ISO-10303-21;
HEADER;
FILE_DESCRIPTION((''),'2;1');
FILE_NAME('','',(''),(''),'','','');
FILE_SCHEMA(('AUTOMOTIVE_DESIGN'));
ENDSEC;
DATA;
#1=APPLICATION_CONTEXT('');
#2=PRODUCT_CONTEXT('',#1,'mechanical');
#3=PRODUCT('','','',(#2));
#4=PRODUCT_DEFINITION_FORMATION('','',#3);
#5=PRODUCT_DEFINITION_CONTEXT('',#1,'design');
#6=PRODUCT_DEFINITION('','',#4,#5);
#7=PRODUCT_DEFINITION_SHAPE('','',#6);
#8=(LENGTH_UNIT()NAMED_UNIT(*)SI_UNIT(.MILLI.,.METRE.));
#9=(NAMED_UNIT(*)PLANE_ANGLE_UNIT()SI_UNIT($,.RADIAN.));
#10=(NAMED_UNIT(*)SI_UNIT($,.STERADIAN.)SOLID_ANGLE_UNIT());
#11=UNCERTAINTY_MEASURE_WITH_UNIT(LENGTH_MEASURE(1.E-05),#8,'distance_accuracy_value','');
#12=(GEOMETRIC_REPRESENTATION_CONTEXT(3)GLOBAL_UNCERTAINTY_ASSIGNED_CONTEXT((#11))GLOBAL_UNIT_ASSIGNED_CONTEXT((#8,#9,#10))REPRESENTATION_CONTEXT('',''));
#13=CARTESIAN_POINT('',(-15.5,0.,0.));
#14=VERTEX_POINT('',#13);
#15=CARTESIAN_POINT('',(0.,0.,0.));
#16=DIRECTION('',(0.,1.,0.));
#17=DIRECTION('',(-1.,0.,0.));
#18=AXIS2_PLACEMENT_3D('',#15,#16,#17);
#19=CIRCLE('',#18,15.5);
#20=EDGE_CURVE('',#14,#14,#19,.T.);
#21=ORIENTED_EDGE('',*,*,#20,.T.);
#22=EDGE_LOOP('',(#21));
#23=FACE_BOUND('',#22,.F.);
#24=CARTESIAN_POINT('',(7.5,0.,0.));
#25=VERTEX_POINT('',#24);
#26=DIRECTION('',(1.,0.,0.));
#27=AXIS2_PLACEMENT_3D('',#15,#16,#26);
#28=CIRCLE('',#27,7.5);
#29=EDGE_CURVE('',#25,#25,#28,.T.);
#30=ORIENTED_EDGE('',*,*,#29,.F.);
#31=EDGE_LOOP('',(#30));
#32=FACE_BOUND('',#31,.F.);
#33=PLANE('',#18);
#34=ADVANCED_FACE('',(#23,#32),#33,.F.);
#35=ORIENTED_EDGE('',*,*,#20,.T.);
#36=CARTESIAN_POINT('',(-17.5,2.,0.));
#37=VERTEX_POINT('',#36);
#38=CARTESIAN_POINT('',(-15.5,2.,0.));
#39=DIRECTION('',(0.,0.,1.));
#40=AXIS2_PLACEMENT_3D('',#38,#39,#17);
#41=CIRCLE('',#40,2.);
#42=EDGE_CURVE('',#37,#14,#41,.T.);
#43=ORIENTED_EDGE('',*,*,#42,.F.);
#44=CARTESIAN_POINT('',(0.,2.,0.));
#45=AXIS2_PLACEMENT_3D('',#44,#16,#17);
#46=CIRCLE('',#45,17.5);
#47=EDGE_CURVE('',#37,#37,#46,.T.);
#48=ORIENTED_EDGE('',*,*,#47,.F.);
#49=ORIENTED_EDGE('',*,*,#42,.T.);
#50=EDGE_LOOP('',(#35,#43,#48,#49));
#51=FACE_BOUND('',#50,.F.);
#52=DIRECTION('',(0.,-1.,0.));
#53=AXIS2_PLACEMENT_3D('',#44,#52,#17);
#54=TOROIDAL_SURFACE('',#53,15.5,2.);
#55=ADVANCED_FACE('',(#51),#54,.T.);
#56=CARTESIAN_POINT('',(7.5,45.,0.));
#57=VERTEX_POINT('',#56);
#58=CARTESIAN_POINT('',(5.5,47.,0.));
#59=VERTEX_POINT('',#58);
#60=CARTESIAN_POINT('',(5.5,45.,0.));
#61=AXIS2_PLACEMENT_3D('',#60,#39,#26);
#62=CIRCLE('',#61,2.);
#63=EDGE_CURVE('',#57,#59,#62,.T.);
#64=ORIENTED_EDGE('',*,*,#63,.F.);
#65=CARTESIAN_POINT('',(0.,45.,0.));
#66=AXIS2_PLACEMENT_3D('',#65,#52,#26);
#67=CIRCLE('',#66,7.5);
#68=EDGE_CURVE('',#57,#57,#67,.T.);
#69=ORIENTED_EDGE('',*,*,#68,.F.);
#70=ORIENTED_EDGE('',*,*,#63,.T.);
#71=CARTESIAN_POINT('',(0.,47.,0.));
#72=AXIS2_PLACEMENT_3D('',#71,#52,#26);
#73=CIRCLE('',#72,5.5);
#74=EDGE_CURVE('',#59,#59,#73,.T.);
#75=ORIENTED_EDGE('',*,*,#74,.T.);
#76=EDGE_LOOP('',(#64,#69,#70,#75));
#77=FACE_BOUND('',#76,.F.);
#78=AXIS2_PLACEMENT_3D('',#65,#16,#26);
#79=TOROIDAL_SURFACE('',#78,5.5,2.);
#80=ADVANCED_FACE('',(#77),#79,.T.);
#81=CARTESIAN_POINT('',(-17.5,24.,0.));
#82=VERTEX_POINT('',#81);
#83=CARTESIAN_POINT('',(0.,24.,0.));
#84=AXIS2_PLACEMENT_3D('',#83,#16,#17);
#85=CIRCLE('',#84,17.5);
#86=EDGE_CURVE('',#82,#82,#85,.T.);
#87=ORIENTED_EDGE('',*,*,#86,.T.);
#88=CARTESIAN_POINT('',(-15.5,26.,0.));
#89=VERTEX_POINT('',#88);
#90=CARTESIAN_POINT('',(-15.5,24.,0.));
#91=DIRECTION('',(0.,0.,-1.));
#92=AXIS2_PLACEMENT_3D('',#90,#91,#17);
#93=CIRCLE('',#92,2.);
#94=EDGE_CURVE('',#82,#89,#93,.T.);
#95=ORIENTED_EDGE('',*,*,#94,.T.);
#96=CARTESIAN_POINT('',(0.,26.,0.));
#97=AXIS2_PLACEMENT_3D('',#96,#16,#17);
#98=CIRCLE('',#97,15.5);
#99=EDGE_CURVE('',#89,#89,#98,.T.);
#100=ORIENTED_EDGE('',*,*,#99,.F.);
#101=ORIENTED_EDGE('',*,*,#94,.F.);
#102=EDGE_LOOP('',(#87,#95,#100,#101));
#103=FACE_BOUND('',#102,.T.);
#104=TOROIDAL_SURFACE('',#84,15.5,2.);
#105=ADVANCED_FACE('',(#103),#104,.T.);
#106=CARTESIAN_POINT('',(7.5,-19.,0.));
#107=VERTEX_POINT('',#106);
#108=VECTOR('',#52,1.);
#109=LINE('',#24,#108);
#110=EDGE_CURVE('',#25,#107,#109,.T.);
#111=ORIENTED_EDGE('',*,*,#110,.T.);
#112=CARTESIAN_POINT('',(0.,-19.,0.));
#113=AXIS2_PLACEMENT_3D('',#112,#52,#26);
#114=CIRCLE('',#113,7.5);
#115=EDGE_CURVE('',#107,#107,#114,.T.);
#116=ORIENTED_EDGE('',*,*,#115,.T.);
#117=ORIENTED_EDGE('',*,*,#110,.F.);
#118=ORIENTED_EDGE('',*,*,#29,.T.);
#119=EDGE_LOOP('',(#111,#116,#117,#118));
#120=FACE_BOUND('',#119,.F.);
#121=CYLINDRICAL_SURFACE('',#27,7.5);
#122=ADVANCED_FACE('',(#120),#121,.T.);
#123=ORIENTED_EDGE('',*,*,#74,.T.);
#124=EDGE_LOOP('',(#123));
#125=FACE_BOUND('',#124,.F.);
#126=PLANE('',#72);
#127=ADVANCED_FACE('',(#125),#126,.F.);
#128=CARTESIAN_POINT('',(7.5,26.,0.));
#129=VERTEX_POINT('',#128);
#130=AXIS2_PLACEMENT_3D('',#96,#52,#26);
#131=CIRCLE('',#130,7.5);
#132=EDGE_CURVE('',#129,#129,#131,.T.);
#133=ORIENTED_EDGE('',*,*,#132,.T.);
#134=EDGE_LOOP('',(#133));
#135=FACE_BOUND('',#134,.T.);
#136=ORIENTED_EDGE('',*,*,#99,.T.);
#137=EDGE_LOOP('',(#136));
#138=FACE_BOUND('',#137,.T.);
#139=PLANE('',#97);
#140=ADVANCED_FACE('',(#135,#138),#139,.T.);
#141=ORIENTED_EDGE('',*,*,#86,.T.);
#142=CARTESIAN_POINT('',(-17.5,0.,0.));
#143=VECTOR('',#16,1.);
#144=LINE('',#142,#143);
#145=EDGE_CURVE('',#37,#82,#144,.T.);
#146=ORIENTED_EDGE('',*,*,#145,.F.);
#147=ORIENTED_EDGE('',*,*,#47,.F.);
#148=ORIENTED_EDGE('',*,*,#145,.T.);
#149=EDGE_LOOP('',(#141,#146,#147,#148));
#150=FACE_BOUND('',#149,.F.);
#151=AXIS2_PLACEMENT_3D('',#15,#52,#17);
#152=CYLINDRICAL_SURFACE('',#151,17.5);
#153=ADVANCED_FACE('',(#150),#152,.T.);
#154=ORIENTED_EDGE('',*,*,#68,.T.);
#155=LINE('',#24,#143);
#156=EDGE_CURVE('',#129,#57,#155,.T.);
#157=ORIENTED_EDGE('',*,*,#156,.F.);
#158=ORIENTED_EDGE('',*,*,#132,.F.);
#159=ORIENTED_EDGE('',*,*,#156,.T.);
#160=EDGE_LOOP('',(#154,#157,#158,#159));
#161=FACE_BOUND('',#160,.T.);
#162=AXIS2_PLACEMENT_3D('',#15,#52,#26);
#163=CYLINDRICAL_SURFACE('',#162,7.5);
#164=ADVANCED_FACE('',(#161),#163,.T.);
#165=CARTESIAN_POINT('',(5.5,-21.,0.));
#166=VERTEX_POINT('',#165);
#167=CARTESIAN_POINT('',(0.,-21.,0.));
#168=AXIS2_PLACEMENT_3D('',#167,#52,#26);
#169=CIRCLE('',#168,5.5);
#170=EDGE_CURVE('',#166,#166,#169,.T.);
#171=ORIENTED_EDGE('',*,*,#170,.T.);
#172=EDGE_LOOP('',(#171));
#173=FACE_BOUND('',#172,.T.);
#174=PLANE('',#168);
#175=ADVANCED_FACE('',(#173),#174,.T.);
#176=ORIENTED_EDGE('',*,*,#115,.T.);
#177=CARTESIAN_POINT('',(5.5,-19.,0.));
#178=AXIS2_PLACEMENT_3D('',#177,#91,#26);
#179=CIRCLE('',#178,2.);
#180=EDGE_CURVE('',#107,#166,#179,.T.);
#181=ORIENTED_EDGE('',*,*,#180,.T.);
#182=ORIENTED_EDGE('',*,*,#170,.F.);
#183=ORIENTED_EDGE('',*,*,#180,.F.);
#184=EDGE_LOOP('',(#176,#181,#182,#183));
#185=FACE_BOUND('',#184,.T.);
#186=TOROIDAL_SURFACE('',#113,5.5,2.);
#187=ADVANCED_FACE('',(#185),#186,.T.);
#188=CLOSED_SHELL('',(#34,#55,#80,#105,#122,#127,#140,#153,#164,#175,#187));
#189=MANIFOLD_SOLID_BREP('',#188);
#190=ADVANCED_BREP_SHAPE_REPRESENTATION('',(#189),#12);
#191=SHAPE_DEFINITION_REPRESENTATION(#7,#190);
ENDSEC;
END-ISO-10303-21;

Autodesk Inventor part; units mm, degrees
ref_plane "YZ Plane" through (0, 0, 0) normal (1, 0, 0) x (0, 1, 0)
ref_plane "XZ Plane" through (0, 0, 0) normal (0, 1, 0) x (-1, 0, 0)
ref_plane "XY Plane" through (0, 0, 0) normal (0, 0, 1) x (1, 0, 0)
sketch "Sketch1" plane through (0, 0, 0) normal (0, 1, 0) x (-1, 0, 0)
  circle A0 centre (0, 0) radius 17.5
  circle A1 centre (0, 0) radius 7.5
  dimension "d0" = 35
  dimension "d1" = 15
extrude "Extrusion1" add sketch "Sketch1" along normal blind 26
sketch "Sketch2" plane through (0, 0, 0) normal (0, -1, 0) x (1, 0, 0)
  circle A0 centre (0, 0) radius 7.5 projected
extrude "Extrusion2" add sketch "Sketch2" along normal blind 21 and the other way blind 47
fillet "Fillet1" radius 2 4 edges at (17.5, 26, 0) (17.5, 0, 0) (-7.5, 47, 0) (-7.5, -21, 0)
properties part number "Amostra_v1"
